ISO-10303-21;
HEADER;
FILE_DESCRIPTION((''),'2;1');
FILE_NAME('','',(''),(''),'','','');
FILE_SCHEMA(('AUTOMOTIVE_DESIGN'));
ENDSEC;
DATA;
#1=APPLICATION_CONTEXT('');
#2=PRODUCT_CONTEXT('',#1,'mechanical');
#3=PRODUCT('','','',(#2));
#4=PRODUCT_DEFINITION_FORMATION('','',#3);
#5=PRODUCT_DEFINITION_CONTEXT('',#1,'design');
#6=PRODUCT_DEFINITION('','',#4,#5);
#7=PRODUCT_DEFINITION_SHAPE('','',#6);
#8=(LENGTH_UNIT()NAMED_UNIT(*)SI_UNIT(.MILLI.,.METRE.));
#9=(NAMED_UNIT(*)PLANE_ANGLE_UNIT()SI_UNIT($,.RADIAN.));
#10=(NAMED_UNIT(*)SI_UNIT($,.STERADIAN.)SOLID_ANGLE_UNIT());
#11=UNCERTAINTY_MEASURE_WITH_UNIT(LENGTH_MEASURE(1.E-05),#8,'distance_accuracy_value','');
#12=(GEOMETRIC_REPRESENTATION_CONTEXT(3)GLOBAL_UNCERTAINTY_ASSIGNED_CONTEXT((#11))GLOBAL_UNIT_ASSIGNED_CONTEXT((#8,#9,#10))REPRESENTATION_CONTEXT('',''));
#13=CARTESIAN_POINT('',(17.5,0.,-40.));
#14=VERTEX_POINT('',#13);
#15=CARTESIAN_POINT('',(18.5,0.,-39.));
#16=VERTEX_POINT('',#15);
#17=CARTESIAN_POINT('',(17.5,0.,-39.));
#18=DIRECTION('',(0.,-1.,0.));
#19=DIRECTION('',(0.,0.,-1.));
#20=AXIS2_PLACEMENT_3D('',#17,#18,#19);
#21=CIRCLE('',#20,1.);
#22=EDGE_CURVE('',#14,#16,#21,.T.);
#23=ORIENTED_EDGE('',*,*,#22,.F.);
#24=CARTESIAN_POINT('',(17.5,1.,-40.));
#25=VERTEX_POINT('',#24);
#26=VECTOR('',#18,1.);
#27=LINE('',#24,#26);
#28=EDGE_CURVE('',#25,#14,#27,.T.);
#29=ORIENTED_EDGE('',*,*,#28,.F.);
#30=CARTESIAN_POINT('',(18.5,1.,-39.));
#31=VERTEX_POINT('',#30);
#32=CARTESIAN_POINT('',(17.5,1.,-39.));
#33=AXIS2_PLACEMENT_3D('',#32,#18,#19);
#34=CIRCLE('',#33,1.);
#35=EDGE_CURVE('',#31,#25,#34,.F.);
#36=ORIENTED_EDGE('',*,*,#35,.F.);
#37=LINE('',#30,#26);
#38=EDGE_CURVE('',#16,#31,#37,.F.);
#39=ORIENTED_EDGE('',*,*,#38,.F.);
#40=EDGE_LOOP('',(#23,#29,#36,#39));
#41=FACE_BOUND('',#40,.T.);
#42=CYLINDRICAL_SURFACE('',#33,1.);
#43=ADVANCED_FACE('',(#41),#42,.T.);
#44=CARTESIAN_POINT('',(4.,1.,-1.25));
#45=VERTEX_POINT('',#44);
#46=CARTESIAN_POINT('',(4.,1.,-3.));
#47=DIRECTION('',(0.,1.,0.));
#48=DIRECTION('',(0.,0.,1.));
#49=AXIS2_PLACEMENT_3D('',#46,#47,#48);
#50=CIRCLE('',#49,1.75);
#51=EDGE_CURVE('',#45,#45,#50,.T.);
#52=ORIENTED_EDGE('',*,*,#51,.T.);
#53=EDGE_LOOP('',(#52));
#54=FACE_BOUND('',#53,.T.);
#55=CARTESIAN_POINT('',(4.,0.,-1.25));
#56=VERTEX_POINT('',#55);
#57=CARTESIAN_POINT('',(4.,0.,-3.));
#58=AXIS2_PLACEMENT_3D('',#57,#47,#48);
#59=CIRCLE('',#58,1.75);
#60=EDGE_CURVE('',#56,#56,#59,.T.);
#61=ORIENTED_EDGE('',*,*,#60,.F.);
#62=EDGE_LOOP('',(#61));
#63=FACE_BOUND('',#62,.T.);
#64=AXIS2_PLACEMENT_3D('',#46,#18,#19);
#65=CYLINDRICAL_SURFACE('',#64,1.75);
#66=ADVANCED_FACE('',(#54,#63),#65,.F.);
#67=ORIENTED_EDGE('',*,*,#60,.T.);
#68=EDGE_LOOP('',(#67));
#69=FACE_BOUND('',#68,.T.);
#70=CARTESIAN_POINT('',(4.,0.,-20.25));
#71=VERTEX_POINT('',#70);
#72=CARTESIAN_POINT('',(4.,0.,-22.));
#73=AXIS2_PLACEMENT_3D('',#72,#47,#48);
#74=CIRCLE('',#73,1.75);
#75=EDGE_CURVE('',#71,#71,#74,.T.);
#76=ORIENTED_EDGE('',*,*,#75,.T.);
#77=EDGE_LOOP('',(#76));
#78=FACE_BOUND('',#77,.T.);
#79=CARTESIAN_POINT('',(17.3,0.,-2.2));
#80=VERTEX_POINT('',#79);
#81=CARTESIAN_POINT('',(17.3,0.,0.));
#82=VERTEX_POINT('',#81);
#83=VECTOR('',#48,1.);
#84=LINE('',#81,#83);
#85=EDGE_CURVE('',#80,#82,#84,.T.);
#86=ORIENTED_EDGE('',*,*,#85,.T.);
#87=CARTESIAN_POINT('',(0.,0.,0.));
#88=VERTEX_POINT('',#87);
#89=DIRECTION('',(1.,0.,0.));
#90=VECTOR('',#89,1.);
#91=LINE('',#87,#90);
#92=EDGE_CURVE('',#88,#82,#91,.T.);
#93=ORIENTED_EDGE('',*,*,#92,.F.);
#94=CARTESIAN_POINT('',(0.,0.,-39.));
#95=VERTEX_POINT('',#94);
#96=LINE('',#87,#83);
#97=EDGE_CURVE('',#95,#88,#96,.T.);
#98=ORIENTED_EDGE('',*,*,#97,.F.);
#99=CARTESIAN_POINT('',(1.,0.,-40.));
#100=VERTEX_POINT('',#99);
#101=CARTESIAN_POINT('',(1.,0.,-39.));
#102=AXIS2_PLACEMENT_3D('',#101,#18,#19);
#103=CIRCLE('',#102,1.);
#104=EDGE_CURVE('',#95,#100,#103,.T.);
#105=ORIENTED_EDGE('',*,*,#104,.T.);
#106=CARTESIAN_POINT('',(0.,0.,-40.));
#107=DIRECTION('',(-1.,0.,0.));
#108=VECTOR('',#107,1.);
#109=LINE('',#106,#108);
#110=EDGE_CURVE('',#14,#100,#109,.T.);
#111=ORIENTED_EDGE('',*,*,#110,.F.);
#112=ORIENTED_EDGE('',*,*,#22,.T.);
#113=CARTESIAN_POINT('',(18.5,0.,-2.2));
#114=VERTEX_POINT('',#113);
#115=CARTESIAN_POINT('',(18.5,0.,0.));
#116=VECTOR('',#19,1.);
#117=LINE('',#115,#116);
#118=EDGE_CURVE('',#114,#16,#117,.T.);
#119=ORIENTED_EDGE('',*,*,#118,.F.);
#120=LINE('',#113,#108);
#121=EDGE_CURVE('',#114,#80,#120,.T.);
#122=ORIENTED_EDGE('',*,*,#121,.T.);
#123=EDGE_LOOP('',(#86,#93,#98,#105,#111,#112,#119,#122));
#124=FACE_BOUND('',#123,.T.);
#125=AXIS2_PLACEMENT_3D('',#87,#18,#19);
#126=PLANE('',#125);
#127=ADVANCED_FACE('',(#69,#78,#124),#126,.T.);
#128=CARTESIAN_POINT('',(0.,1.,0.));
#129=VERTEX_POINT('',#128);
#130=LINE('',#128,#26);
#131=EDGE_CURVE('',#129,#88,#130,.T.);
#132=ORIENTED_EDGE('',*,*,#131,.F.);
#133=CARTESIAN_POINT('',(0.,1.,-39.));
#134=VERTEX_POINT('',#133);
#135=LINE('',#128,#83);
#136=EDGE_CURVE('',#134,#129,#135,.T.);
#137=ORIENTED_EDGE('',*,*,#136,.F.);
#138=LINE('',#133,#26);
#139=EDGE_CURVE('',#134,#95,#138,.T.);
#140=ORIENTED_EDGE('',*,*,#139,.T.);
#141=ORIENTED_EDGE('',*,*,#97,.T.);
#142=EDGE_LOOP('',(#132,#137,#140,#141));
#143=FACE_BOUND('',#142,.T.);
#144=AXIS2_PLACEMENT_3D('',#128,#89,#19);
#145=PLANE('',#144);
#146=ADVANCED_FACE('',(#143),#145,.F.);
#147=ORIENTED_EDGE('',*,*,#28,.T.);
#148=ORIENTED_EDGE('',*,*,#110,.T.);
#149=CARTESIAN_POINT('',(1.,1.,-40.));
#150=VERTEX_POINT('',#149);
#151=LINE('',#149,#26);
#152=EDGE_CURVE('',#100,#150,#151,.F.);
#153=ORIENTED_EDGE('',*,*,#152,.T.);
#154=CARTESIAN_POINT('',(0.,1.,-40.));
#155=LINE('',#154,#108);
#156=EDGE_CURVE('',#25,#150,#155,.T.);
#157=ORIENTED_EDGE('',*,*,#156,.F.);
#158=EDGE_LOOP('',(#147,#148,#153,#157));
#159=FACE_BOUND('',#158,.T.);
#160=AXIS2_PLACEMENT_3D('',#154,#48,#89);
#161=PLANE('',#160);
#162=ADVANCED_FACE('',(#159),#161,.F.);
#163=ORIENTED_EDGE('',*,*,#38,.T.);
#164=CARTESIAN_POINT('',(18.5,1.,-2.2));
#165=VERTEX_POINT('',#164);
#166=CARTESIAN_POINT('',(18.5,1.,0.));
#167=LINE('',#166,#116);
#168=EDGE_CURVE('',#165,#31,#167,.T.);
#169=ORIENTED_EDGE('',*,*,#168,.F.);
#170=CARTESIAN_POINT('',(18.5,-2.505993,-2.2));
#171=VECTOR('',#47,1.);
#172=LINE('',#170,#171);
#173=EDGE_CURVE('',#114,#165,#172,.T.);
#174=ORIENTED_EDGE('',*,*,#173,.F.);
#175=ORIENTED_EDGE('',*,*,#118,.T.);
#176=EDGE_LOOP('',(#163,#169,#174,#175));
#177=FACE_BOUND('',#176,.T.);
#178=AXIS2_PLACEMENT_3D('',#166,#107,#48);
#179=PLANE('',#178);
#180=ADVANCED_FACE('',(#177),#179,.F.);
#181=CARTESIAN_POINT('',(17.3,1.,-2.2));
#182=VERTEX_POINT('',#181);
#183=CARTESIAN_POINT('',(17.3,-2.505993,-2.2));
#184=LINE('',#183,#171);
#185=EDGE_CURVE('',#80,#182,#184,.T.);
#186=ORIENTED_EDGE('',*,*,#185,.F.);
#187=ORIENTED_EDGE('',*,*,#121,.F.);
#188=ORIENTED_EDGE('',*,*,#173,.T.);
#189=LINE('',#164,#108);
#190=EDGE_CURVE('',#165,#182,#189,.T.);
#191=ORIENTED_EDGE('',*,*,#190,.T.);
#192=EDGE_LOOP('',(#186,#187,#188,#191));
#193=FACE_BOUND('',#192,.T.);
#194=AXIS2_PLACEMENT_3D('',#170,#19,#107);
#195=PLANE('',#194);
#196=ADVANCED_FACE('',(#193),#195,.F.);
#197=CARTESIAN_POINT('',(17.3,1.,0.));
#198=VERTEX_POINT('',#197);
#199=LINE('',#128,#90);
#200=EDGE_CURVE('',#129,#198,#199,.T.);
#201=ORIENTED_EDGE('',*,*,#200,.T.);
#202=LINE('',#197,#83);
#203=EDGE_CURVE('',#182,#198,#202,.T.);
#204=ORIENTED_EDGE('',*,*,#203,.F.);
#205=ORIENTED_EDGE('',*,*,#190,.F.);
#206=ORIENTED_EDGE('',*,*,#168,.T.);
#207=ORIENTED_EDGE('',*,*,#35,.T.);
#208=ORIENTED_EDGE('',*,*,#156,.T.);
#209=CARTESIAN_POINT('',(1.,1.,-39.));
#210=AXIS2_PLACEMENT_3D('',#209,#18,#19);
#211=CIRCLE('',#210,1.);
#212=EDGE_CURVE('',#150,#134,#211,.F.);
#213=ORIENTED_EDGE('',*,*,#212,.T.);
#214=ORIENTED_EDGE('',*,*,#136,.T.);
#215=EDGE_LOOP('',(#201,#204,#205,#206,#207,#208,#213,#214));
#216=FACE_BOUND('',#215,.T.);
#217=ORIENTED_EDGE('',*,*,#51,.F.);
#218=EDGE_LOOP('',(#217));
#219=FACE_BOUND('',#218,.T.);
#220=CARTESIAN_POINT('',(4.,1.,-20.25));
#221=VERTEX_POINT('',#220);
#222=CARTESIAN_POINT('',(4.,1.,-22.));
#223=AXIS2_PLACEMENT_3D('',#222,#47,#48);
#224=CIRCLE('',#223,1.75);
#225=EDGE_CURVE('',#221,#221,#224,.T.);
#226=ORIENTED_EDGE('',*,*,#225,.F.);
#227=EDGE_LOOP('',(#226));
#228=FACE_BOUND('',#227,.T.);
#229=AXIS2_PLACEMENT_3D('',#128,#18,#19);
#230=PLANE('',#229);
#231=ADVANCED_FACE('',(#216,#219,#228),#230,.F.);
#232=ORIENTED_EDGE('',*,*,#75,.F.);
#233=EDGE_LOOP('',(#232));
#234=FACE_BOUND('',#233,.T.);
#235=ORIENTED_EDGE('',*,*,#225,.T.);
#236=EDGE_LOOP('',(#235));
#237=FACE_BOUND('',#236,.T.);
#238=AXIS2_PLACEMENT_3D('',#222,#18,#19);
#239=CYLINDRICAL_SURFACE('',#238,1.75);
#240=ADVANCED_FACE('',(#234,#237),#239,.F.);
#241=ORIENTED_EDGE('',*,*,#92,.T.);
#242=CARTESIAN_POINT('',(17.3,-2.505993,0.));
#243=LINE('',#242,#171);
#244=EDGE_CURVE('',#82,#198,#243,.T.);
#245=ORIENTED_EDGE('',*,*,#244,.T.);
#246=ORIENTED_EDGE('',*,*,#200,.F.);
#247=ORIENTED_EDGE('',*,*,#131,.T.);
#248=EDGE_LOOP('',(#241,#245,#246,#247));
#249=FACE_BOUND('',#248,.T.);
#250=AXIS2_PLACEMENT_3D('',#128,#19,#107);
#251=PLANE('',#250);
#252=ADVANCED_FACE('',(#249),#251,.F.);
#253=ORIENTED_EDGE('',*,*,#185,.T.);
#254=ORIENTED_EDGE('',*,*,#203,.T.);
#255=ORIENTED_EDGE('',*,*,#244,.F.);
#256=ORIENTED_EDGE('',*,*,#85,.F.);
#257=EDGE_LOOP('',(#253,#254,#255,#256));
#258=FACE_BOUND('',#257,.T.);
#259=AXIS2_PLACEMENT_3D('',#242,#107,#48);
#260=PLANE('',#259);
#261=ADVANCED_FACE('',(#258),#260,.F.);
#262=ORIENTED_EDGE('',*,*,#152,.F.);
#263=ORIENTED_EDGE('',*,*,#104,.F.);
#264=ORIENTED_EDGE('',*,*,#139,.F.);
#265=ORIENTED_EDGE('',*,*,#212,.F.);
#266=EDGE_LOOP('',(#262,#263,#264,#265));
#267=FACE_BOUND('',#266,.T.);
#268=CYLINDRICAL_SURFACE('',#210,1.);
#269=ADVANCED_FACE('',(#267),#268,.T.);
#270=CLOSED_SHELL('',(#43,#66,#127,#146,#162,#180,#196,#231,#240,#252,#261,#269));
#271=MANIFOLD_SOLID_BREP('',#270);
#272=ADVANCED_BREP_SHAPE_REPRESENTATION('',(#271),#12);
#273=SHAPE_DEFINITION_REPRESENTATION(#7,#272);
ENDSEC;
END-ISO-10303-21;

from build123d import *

# Parameters (mm, degrees)
CROQUIS1_W              = 18.5
CROQUIS1_H              = 40
CROQUIS1_R              = 1.75
SALIENTE_EXTRUIR1_DEPTH = 1
CROQUIS2_W              = 1.2
CROQUIS2_H              = 2.2
CORTAR_EXTRUIR1_DEPTH   = 1
REDONDEO1_R             = 1


with BuildPart() as part:
    # Croquis1 → Saliente-Extruir1 (new body)
    with BuildSketch(Plane(origin=(0, 0, 0), x_dir=(1, 0, 0), z_dir=(0, 1, 0))):
        with Locations((9.25, 20)):
            Rectangle(CROQUIS1_W, CROQUIS1_H)
        with Locations((4, 3)):
            Circle(CROQUIS1_R, mode=Mode.SUBTRACT)
        with Locations((4, 22)):
            Circle(CROQUIS1_R, mode=Mode.SUBTRACT)
    extrude(amount=SALIENTE_EXTRUIR1_DEPTH)

    # Croquis2 → Cortar-Extruir1 (cut)
    with BuildSketch(Plane(origin=(0, 1, 0), x_dir=(1, 0, 0), z_dir=(0, 1, 0))):
        with Locations((17.9, 1.1)):
            Rectangle(CROQUIS2_W, CROQUIS2_H)
    extrude(amount=-CORTAR_EXTRUIR1_DEPTH, mode=Mode.SUBTRACT)

    # Redondeo1
    redondeo1_edges = [part.edges().sort_by_distance(p)[0] for p in [
        (0, 0.5, -40),
        (18.5, 0.5, -40),
    ]]
    fillet(redondeo1_edges, radius=REDONDEO1_R)


solid = part.part
